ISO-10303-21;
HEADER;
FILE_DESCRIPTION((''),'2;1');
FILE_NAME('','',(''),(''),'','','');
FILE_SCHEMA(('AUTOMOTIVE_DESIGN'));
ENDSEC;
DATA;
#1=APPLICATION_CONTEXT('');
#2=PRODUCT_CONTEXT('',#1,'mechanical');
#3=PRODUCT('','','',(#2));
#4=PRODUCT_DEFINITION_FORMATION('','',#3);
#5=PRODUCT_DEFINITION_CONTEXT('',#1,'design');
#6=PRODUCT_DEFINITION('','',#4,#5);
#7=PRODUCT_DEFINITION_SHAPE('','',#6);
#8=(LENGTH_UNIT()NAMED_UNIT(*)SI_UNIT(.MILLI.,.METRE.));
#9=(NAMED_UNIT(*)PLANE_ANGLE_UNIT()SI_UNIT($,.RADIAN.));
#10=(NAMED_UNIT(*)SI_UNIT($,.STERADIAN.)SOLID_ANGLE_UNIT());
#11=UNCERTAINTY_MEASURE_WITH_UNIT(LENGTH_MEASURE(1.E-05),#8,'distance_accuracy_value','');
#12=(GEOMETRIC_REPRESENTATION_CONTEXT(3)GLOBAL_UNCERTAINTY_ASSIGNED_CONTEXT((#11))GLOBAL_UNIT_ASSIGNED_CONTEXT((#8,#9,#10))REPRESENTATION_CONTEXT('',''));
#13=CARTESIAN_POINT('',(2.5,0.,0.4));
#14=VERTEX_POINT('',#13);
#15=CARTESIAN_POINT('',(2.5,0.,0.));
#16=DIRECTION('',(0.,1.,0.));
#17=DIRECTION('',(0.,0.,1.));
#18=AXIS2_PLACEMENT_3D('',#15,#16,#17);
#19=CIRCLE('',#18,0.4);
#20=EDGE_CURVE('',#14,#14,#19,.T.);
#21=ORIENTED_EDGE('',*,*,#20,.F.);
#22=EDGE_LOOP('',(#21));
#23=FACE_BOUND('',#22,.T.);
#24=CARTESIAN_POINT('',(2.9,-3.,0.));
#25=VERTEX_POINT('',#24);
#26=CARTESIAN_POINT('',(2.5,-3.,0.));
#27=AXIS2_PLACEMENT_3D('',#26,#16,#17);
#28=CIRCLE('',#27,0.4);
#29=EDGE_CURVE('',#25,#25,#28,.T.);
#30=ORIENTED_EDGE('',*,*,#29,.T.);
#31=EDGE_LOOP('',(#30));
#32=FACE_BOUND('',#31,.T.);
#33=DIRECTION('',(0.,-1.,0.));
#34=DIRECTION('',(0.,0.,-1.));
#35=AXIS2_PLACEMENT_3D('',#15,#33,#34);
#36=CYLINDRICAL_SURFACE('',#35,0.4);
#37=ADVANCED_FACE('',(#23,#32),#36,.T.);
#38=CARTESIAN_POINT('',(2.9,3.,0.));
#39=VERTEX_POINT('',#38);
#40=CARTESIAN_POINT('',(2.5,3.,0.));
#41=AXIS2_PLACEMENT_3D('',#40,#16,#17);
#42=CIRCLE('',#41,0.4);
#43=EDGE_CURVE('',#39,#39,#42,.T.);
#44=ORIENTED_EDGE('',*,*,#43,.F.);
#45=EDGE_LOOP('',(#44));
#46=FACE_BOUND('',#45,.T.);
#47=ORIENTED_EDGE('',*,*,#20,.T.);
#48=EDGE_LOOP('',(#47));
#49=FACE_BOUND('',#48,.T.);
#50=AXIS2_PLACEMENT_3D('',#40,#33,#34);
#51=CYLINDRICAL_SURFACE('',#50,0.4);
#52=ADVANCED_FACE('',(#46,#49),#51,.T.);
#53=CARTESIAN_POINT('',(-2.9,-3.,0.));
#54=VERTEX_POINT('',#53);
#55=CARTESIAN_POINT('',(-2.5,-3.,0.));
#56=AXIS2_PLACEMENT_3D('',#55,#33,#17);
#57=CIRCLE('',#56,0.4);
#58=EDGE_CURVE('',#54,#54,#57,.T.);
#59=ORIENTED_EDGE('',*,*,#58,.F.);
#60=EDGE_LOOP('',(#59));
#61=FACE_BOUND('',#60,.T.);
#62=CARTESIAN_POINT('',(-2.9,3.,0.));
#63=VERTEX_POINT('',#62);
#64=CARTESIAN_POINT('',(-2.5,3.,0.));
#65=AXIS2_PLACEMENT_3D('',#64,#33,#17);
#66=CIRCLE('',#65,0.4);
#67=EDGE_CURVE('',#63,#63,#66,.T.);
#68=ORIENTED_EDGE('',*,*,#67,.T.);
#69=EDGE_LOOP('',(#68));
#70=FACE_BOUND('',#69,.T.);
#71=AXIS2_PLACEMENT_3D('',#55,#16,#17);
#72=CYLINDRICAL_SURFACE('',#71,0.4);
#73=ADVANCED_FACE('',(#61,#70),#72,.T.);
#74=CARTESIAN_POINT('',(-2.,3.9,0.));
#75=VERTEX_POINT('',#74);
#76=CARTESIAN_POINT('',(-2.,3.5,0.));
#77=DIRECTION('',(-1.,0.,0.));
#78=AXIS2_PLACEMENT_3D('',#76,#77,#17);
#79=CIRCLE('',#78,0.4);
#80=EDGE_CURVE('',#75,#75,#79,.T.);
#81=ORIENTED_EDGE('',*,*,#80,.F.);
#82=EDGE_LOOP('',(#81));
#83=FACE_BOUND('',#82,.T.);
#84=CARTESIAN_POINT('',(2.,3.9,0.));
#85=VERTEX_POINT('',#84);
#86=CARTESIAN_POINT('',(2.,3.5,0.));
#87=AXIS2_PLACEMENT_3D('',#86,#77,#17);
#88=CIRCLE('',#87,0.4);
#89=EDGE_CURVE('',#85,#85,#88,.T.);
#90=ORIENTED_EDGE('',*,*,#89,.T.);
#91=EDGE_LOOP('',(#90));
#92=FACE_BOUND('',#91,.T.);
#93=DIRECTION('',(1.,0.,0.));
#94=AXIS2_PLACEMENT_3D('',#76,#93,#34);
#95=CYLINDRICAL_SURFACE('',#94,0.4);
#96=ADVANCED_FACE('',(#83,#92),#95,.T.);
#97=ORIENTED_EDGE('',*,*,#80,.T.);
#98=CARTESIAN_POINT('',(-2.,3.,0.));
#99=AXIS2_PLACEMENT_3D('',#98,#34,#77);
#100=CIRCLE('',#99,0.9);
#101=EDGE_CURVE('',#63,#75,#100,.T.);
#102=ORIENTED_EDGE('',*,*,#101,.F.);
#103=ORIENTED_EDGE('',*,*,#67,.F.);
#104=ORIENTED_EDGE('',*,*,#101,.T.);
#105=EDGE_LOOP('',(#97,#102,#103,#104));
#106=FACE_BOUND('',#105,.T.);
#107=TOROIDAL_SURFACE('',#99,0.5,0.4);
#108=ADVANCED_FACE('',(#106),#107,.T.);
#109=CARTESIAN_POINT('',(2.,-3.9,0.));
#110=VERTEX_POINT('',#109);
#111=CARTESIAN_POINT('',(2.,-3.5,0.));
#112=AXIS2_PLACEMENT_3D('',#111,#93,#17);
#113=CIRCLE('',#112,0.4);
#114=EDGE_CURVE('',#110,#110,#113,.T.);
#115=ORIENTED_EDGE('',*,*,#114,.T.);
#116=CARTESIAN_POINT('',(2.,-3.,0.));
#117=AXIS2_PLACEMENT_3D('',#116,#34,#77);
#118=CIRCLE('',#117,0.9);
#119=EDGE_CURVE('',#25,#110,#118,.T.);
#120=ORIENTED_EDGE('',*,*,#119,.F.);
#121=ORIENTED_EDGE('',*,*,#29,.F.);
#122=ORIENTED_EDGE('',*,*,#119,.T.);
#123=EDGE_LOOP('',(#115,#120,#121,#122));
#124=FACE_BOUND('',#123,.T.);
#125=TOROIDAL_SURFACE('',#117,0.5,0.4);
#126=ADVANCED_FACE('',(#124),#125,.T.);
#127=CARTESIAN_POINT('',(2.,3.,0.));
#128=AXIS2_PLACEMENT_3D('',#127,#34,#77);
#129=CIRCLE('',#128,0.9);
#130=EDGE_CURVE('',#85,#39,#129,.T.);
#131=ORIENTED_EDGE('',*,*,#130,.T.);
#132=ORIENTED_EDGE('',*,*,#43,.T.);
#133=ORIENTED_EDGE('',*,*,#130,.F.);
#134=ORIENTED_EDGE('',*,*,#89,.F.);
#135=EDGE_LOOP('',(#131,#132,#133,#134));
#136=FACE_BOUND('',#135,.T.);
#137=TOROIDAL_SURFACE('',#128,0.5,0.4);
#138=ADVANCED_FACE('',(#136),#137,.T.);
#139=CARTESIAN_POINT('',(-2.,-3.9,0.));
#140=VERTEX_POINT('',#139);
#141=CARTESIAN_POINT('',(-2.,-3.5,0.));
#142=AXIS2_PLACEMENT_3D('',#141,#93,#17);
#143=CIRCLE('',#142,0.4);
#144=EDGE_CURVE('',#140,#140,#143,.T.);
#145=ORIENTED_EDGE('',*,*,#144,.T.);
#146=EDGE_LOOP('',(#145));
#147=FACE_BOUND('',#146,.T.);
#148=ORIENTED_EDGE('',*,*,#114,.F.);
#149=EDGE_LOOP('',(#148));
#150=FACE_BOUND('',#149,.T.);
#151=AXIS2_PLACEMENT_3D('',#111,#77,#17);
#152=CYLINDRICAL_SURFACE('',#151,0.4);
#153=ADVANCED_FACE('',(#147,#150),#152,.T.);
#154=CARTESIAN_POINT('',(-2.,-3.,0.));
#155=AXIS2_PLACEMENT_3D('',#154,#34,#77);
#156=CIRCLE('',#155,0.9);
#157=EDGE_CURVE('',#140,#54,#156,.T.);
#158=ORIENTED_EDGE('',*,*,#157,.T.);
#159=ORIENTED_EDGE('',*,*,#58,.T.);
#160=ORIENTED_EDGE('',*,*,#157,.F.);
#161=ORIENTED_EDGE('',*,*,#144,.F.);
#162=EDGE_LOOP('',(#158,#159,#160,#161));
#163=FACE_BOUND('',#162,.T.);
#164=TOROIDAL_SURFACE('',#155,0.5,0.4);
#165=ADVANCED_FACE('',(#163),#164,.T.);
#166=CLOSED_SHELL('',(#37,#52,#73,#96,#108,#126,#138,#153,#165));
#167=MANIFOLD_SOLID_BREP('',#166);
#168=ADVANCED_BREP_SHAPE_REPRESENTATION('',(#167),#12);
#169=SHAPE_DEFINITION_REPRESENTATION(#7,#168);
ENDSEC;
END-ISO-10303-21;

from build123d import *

# Parameters (mm, degrees)
SKETCH2_R = 0.4


with BuildPart() as part:
    # Sweep1: sweep along a path in Sketch1
    with BuildLine(Plane.XY) as sweep1_path:
        Line((-2.5, 3), (-2.5, -3))
        ThreePointArc((-2.5, -3), (-2.353553391, -3.353553391), (-2, -3.5))
        Line((-2, -3.5), (2, -3.5))
        ThreePointArc((2, -3.5), (2.353553391, -3.353553391), (2.5, -3))
        Line((2.5, -3), (2.5, 3))
        ThreePointArc((2.5, 3), (2.353553391, 3.353553391), (2, 3.5))
        Line((2, 3.5), (-2, 3.5))
        ThreePointArc((-2, 3.5), (-2.353553391, 3.353553391), (-2.5, 3))
    # Sketch2 → Sweep1 (sweep)
    with BuildSketch(Plane(origin=(0, 0, 0), x_dir=(1, 0, 0), z_dir=(0, 1, 0))):
        with Locations((2.5, 0)):
            Circle(SKETCH2_R)
    sweep(path=sweep1_path.line)


solid = part.part
